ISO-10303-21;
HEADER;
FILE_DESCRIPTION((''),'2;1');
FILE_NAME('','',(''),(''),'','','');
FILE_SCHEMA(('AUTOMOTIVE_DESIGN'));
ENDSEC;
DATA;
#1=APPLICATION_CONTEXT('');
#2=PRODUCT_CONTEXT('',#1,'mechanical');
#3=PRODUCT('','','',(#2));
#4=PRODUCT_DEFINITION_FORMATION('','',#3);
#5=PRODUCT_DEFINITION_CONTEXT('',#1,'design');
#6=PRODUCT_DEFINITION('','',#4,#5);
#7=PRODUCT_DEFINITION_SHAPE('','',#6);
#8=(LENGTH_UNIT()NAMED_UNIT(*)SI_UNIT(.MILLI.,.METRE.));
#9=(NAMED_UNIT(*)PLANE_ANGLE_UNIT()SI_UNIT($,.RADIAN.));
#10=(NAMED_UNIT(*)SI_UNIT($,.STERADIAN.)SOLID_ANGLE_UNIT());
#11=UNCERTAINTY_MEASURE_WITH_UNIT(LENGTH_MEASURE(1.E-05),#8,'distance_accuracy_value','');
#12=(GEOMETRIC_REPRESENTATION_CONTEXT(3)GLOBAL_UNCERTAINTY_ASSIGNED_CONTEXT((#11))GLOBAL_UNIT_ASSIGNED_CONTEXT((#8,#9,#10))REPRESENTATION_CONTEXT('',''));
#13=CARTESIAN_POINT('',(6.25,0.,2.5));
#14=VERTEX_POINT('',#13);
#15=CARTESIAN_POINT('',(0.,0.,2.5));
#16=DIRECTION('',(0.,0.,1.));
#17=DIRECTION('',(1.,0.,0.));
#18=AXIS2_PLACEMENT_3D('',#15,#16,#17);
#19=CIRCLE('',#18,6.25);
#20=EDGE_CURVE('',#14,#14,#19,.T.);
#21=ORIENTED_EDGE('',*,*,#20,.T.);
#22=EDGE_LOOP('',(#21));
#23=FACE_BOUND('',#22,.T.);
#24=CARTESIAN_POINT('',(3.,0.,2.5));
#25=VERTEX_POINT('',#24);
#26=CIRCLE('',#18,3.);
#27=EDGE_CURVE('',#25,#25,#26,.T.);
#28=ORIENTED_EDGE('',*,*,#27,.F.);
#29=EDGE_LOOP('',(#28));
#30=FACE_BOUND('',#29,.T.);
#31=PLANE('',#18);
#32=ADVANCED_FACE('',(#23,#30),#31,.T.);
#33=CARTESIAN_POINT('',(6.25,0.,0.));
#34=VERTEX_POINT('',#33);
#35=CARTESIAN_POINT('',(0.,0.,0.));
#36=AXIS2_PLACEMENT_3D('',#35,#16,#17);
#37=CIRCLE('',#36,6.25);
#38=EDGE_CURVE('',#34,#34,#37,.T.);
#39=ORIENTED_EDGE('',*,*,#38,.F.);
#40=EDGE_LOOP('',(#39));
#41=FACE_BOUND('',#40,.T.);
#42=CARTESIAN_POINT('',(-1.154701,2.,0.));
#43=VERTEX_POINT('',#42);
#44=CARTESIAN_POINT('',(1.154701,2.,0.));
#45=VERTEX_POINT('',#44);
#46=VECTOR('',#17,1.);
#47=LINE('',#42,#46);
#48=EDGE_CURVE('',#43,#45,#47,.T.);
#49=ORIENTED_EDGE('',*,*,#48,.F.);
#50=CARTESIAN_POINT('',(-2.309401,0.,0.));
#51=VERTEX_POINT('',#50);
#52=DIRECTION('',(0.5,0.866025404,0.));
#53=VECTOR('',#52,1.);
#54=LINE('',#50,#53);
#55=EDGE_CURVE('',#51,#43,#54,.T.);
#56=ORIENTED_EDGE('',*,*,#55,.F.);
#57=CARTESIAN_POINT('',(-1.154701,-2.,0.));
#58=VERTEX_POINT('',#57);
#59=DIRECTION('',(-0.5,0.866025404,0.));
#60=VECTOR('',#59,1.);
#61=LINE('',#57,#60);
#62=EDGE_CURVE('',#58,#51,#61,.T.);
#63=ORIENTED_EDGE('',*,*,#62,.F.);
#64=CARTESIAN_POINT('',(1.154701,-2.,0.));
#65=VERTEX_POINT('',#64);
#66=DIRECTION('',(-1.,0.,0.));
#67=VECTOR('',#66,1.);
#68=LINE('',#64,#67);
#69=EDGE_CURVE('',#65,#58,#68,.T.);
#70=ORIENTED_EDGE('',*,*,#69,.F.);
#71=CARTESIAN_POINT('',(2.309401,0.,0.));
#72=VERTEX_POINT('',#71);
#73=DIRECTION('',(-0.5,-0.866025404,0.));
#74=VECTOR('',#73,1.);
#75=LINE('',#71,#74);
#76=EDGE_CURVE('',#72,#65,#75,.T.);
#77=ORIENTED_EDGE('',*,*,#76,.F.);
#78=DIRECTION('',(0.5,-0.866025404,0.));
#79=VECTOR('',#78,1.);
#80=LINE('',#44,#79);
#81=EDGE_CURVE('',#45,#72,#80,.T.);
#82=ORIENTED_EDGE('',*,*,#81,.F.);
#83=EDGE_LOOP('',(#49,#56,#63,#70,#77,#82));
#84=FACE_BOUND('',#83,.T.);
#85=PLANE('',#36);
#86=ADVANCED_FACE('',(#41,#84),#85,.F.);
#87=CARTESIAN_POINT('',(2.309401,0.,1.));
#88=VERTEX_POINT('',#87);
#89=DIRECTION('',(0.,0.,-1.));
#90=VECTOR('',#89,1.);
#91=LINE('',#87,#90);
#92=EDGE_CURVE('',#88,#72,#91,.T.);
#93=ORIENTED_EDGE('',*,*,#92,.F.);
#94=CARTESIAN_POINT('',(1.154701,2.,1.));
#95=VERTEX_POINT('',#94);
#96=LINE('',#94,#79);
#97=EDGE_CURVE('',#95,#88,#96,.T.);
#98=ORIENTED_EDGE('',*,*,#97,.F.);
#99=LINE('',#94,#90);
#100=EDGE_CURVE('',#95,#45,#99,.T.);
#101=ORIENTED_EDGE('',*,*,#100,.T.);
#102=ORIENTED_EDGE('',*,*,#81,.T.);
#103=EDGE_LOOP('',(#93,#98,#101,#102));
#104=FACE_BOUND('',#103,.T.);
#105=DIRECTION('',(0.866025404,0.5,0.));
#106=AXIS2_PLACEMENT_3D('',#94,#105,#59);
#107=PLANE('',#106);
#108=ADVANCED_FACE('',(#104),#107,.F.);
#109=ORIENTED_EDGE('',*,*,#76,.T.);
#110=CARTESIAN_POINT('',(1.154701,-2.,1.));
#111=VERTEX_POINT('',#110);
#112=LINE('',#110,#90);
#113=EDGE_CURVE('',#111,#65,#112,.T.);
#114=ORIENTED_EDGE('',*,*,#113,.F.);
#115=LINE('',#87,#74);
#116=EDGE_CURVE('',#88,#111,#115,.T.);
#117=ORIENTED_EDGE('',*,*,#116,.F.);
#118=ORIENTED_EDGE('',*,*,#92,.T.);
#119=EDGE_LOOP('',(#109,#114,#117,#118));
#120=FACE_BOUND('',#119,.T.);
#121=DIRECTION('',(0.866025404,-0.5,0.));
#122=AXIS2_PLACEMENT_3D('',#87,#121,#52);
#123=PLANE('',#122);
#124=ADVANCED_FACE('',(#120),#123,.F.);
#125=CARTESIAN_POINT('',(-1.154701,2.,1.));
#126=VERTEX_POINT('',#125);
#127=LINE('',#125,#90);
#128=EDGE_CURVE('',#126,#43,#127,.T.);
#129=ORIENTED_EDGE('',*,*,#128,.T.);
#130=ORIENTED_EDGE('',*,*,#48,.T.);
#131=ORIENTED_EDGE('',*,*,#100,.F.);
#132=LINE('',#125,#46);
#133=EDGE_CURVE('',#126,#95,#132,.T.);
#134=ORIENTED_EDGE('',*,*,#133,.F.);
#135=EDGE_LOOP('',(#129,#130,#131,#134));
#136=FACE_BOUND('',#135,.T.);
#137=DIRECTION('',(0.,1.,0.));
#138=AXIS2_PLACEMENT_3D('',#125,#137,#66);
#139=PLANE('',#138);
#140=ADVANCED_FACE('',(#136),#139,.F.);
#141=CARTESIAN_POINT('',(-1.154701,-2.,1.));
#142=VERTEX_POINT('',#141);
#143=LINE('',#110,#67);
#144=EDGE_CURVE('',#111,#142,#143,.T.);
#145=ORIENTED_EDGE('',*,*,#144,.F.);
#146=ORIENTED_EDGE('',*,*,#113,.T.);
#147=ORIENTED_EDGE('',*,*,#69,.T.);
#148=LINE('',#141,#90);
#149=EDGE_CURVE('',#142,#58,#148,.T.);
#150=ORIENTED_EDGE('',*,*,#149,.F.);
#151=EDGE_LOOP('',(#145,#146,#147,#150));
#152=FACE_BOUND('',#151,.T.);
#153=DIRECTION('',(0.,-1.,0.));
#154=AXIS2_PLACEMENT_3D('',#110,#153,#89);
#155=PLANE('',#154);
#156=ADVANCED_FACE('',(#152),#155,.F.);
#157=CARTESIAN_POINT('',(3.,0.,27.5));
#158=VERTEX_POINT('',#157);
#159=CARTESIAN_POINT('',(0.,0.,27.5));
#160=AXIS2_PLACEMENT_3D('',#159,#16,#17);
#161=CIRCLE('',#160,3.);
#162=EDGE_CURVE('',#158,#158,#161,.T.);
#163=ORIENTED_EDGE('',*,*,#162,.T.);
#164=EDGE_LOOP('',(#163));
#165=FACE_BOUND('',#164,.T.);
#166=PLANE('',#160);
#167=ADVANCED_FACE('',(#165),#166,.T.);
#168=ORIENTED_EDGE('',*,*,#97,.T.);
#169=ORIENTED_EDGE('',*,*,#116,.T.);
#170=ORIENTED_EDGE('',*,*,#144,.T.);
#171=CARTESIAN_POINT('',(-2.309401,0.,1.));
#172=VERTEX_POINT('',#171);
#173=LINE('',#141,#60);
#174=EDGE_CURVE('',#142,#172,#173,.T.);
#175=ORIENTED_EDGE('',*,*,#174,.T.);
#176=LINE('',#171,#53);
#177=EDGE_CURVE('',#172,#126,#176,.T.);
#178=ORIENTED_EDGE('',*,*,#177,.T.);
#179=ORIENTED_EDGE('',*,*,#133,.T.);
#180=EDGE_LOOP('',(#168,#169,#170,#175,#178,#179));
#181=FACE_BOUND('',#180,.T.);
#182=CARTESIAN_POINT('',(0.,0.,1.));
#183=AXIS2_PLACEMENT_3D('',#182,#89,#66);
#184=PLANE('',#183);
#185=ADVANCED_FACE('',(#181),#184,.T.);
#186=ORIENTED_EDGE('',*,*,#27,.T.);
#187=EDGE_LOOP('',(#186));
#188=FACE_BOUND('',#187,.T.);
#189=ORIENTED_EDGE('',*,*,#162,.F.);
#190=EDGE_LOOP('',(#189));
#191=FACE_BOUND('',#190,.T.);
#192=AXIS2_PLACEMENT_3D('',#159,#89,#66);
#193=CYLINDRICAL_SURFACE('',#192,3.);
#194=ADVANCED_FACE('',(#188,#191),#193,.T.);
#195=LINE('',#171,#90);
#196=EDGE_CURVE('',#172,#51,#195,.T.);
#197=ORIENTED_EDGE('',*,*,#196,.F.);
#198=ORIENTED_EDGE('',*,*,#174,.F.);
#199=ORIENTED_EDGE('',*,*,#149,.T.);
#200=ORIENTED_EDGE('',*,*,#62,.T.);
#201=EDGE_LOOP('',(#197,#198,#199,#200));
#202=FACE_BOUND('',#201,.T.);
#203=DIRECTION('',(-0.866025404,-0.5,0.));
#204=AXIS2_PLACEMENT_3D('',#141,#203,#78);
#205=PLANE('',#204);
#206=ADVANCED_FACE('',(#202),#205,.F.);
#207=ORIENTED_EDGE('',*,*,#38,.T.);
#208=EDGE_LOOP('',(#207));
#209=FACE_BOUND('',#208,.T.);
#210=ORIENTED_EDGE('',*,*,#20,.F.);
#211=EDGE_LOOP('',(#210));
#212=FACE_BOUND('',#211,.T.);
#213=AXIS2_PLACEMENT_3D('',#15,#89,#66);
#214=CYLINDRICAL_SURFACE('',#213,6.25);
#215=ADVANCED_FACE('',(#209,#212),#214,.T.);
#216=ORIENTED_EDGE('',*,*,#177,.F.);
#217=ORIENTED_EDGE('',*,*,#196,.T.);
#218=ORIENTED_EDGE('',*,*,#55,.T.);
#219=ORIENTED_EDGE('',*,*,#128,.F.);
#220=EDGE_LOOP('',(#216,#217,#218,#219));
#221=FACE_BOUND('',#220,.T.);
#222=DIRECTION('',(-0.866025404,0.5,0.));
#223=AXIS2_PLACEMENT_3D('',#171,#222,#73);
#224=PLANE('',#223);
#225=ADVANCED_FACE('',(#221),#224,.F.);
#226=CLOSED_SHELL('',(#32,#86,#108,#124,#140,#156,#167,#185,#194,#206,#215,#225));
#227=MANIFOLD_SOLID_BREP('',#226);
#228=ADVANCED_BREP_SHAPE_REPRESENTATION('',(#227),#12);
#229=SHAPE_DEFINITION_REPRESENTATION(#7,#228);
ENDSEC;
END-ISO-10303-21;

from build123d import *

# Parameters (mm, degrees)
SKETCH_1_R          = 6.25
EXTRUDE_1_DEPTH     = 2.5
SKETCH_2_R          = 3
EXTRUDE_2_DEPTH     = 25
CUT_EXTRUDE_1_DEPTH = 1


with BuildPart() as part:
    # 草图1 → 凸台-拉伸1 (new body)
    with BuildSketch(Plane.XY):
        Circle(SKETCH_1_R)
    extrude(amount=EXTRUDE_1_DEPTH)

    # 草图2 → 凸台-拉伸2 (add)
    with BuildSketch(Plane.XY.offset(2.5)):
        Circle(SKETCH_2_R)
    extrude(amount=EXTRUDE_2_DEPTH)

    # 草图3 → 切除-拉伸1 (cut)
    with BuildSketch(Plane(origin=(0, 0, 0), x_dir=(-1, 0, 0), z_dir=(0, 0, -1))):
        Polygon((2.309401077, 0), (1.154700538, 2), (-1.154700538, 2), (-2.309401077, 0), (-1.154700538, -2), (1.154700538, -2), align=None)
    extrude(amount=-CUT_EXTRUDE_1_DEPTH, mode=Mode.SUBTRACT)


solid = part.part
